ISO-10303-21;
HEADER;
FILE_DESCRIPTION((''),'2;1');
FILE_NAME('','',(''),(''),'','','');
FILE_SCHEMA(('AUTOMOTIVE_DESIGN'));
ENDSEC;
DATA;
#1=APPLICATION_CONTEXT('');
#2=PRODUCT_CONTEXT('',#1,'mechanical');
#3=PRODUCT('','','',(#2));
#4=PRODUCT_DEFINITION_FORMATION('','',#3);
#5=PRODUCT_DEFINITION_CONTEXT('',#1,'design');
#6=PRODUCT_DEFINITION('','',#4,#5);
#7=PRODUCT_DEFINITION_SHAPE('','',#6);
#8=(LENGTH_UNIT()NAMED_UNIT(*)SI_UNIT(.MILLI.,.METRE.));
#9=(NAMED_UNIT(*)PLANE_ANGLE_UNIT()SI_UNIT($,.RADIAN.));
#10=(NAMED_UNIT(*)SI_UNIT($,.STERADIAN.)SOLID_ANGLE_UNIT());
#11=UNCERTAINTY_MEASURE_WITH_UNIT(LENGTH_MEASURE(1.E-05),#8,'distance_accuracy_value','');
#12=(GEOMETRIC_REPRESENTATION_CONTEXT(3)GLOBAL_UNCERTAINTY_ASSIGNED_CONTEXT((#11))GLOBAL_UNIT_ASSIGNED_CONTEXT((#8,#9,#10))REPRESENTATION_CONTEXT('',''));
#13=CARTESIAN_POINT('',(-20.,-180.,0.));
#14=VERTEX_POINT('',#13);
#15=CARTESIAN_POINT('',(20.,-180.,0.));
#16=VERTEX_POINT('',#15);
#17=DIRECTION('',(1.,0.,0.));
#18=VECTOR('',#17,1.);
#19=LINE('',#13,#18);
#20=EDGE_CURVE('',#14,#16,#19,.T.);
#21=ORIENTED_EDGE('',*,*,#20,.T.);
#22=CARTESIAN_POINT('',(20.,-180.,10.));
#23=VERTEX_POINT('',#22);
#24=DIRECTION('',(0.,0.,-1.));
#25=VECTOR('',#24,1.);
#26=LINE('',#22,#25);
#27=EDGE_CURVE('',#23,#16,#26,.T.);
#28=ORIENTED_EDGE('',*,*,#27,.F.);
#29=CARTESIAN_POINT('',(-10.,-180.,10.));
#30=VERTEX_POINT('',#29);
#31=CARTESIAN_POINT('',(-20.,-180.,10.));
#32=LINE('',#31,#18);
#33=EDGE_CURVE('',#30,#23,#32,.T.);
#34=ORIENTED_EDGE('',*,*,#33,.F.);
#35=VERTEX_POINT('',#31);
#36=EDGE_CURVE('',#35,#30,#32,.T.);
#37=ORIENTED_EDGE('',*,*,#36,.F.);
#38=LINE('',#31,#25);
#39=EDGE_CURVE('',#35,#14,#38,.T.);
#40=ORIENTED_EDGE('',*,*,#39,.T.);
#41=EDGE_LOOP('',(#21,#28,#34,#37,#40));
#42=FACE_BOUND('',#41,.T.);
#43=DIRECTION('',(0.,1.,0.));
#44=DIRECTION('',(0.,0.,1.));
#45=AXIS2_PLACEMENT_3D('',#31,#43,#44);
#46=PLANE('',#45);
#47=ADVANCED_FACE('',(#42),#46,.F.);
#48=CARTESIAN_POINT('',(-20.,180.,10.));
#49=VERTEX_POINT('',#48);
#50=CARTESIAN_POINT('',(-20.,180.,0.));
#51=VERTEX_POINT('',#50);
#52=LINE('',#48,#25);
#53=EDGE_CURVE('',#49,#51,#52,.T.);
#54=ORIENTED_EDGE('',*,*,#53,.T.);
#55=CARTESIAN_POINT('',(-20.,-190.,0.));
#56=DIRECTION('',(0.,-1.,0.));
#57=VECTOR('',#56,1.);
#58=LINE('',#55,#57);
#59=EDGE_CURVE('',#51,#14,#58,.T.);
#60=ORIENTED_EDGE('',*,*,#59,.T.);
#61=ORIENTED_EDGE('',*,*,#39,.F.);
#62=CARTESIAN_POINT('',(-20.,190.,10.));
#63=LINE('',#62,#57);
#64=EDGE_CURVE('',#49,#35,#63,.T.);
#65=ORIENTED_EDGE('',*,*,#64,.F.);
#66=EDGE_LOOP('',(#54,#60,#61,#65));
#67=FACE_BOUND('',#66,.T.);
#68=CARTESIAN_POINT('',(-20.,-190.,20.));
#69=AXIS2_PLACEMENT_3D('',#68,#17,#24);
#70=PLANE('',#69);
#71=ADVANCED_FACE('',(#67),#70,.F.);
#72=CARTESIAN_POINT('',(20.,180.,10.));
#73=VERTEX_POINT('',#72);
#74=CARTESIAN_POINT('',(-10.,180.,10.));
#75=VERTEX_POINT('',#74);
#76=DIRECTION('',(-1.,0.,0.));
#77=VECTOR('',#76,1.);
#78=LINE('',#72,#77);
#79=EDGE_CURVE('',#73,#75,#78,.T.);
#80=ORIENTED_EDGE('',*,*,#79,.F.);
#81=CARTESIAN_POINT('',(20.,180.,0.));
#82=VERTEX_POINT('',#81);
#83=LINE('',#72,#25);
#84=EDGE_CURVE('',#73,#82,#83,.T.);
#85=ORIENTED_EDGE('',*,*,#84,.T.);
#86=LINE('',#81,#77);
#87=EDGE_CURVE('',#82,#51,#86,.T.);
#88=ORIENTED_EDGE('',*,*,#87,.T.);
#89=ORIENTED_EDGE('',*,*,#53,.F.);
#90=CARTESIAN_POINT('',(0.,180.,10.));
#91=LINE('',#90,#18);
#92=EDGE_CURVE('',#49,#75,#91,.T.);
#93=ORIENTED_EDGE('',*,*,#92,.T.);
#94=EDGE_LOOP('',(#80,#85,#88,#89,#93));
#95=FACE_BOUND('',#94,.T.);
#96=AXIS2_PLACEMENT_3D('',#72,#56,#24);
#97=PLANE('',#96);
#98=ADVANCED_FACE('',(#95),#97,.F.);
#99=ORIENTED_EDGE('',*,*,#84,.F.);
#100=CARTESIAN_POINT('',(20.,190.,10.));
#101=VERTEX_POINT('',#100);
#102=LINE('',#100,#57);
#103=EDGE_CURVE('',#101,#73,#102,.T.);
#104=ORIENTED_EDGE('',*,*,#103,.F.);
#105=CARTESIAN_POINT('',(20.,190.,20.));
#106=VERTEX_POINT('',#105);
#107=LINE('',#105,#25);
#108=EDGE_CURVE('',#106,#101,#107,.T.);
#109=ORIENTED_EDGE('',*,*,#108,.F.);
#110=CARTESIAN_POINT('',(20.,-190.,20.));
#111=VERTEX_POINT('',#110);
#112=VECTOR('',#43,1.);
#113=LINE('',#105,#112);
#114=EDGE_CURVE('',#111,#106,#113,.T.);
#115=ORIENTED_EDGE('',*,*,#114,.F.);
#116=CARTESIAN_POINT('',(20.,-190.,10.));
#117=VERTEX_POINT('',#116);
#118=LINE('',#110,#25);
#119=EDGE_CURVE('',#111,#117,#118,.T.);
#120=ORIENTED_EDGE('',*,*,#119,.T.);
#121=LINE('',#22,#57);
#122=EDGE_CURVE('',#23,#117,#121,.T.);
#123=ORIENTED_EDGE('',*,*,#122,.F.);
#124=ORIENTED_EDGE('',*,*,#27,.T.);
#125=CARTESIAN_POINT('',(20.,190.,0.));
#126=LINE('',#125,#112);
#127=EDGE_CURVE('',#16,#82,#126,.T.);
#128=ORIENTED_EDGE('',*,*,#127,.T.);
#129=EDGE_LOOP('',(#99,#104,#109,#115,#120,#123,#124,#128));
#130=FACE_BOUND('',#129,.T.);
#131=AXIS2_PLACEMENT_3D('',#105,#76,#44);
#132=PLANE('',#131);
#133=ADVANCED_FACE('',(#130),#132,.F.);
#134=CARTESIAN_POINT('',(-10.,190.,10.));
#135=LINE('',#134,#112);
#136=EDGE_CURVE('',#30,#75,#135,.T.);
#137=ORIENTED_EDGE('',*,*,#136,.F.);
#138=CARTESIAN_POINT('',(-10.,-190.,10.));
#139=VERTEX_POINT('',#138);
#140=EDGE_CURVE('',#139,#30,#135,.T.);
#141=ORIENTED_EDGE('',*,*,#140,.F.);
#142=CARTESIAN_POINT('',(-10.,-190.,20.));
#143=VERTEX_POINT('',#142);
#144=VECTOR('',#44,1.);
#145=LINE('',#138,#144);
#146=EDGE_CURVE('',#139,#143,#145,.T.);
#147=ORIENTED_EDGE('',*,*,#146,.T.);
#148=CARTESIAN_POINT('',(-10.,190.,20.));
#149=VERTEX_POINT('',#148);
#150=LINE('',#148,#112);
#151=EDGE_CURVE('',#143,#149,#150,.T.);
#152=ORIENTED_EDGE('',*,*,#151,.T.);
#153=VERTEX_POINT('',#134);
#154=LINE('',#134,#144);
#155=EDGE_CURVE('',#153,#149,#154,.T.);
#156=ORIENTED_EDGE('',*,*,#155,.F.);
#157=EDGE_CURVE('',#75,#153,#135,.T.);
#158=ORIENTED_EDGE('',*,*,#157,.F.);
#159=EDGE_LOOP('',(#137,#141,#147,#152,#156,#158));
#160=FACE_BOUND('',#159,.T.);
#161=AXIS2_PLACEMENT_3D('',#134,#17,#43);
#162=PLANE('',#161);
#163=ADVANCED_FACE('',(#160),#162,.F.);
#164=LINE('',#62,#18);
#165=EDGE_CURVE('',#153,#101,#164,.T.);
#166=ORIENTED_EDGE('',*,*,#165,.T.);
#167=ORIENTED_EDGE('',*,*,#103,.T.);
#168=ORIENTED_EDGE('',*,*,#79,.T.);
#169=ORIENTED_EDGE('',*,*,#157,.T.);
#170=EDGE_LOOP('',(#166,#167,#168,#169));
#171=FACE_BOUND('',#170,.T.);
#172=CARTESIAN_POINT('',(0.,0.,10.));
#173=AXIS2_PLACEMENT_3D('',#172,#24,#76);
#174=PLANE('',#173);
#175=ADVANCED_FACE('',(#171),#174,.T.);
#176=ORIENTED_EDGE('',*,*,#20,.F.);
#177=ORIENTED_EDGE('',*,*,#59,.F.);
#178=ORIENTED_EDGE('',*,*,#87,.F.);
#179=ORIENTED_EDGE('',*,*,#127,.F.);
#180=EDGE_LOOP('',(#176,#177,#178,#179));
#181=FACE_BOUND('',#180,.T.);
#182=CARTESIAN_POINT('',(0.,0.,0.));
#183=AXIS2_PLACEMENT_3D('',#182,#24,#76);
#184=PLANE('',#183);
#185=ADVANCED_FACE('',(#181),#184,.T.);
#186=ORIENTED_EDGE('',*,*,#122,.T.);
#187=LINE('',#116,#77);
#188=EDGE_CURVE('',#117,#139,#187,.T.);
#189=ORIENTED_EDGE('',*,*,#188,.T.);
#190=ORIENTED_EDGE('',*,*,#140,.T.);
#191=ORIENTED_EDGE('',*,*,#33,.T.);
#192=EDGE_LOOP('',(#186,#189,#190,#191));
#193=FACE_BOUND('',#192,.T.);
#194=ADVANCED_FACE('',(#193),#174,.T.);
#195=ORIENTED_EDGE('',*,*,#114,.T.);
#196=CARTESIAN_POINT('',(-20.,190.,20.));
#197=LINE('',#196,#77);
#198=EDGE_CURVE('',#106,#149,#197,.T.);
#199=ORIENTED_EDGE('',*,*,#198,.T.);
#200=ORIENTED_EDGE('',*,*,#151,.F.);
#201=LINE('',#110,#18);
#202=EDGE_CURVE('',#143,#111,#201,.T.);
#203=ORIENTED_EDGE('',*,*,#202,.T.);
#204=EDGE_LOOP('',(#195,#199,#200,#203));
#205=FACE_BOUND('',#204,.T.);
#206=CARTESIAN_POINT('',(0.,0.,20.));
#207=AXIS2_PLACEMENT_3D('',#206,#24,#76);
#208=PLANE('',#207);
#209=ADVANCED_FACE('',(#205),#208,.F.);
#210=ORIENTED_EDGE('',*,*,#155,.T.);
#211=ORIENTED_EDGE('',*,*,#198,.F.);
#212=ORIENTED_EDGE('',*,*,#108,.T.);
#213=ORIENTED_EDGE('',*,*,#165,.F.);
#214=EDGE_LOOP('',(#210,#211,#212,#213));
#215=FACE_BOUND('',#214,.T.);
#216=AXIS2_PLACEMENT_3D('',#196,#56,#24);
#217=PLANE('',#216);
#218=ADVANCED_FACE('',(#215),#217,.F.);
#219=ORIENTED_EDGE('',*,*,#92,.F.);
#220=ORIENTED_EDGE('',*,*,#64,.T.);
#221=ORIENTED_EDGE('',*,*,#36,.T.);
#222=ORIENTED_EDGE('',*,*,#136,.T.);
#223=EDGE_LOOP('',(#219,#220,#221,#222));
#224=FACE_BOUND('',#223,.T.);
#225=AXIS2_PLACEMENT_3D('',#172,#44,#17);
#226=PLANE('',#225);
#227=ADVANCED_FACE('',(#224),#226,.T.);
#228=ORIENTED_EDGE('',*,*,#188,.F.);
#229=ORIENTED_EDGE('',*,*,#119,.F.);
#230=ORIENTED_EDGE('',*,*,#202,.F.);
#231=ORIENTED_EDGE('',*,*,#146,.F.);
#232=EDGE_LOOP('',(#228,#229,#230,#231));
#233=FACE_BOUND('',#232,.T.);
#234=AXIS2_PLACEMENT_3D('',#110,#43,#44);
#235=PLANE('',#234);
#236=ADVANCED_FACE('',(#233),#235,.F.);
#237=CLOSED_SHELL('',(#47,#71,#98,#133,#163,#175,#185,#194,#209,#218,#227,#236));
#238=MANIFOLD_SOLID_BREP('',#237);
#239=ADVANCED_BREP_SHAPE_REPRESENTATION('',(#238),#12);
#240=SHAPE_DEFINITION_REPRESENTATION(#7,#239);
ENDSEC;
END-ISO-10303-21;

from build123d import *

# Parameters (mm, degrees)
SKETCH1_W           = 40
SKETCH1_H           = 380
BOSS_EXTRUDE1_DEPTH = 20
SKETCH2_W           = 10
SKETCH2_H           = 380
CUT_EXTRUDE1_DEPTH  = 10
SKETCH3_W           = 40
SKETCH3_H           = 10
CUT_EXTRUDE2_DEPTH  = 10


with BuildPart() as part:
    # Sketch1 → Boss-Extrude1 (new body)
    with BuildSketch(Plane.XY):
        Rectangle(SKETCH1_W, SKETCH1_H)
    extrude(amount=BOSS_EXTRUDE1_DEPTH)

    # Sketch2 → Cut-Extrude1 (cut)
    with BuildSketch(Plane.XY.offset(20)):
        with Locations((-15, 0)):
            Rectangle(SKETCH2_W, SKETCH2_H)
    extrude(amount=-CUT_EXTRUDE1_DEPTH, mode=Mode.SUBTRACT)

    # Sketch3 → Cut-Extrude2 (cut)
    with BuildSketch(Plane(origin=(0, 0, 0), x_dir=(-1, 0, 0), z_dir=(0, 0, -1))):
        with Locations((0, 185)):
            Rectangle(SKETCH3_W, SKETCH3_H)
        with Locations((0, -185)):
            Rectangle(SKETCH3_W, SKETCH3_H)
    extrude(amount=-CUT_EXTRUDE2_DEPTH, mode=Mode.SUBTRACT)


solid = part.part
